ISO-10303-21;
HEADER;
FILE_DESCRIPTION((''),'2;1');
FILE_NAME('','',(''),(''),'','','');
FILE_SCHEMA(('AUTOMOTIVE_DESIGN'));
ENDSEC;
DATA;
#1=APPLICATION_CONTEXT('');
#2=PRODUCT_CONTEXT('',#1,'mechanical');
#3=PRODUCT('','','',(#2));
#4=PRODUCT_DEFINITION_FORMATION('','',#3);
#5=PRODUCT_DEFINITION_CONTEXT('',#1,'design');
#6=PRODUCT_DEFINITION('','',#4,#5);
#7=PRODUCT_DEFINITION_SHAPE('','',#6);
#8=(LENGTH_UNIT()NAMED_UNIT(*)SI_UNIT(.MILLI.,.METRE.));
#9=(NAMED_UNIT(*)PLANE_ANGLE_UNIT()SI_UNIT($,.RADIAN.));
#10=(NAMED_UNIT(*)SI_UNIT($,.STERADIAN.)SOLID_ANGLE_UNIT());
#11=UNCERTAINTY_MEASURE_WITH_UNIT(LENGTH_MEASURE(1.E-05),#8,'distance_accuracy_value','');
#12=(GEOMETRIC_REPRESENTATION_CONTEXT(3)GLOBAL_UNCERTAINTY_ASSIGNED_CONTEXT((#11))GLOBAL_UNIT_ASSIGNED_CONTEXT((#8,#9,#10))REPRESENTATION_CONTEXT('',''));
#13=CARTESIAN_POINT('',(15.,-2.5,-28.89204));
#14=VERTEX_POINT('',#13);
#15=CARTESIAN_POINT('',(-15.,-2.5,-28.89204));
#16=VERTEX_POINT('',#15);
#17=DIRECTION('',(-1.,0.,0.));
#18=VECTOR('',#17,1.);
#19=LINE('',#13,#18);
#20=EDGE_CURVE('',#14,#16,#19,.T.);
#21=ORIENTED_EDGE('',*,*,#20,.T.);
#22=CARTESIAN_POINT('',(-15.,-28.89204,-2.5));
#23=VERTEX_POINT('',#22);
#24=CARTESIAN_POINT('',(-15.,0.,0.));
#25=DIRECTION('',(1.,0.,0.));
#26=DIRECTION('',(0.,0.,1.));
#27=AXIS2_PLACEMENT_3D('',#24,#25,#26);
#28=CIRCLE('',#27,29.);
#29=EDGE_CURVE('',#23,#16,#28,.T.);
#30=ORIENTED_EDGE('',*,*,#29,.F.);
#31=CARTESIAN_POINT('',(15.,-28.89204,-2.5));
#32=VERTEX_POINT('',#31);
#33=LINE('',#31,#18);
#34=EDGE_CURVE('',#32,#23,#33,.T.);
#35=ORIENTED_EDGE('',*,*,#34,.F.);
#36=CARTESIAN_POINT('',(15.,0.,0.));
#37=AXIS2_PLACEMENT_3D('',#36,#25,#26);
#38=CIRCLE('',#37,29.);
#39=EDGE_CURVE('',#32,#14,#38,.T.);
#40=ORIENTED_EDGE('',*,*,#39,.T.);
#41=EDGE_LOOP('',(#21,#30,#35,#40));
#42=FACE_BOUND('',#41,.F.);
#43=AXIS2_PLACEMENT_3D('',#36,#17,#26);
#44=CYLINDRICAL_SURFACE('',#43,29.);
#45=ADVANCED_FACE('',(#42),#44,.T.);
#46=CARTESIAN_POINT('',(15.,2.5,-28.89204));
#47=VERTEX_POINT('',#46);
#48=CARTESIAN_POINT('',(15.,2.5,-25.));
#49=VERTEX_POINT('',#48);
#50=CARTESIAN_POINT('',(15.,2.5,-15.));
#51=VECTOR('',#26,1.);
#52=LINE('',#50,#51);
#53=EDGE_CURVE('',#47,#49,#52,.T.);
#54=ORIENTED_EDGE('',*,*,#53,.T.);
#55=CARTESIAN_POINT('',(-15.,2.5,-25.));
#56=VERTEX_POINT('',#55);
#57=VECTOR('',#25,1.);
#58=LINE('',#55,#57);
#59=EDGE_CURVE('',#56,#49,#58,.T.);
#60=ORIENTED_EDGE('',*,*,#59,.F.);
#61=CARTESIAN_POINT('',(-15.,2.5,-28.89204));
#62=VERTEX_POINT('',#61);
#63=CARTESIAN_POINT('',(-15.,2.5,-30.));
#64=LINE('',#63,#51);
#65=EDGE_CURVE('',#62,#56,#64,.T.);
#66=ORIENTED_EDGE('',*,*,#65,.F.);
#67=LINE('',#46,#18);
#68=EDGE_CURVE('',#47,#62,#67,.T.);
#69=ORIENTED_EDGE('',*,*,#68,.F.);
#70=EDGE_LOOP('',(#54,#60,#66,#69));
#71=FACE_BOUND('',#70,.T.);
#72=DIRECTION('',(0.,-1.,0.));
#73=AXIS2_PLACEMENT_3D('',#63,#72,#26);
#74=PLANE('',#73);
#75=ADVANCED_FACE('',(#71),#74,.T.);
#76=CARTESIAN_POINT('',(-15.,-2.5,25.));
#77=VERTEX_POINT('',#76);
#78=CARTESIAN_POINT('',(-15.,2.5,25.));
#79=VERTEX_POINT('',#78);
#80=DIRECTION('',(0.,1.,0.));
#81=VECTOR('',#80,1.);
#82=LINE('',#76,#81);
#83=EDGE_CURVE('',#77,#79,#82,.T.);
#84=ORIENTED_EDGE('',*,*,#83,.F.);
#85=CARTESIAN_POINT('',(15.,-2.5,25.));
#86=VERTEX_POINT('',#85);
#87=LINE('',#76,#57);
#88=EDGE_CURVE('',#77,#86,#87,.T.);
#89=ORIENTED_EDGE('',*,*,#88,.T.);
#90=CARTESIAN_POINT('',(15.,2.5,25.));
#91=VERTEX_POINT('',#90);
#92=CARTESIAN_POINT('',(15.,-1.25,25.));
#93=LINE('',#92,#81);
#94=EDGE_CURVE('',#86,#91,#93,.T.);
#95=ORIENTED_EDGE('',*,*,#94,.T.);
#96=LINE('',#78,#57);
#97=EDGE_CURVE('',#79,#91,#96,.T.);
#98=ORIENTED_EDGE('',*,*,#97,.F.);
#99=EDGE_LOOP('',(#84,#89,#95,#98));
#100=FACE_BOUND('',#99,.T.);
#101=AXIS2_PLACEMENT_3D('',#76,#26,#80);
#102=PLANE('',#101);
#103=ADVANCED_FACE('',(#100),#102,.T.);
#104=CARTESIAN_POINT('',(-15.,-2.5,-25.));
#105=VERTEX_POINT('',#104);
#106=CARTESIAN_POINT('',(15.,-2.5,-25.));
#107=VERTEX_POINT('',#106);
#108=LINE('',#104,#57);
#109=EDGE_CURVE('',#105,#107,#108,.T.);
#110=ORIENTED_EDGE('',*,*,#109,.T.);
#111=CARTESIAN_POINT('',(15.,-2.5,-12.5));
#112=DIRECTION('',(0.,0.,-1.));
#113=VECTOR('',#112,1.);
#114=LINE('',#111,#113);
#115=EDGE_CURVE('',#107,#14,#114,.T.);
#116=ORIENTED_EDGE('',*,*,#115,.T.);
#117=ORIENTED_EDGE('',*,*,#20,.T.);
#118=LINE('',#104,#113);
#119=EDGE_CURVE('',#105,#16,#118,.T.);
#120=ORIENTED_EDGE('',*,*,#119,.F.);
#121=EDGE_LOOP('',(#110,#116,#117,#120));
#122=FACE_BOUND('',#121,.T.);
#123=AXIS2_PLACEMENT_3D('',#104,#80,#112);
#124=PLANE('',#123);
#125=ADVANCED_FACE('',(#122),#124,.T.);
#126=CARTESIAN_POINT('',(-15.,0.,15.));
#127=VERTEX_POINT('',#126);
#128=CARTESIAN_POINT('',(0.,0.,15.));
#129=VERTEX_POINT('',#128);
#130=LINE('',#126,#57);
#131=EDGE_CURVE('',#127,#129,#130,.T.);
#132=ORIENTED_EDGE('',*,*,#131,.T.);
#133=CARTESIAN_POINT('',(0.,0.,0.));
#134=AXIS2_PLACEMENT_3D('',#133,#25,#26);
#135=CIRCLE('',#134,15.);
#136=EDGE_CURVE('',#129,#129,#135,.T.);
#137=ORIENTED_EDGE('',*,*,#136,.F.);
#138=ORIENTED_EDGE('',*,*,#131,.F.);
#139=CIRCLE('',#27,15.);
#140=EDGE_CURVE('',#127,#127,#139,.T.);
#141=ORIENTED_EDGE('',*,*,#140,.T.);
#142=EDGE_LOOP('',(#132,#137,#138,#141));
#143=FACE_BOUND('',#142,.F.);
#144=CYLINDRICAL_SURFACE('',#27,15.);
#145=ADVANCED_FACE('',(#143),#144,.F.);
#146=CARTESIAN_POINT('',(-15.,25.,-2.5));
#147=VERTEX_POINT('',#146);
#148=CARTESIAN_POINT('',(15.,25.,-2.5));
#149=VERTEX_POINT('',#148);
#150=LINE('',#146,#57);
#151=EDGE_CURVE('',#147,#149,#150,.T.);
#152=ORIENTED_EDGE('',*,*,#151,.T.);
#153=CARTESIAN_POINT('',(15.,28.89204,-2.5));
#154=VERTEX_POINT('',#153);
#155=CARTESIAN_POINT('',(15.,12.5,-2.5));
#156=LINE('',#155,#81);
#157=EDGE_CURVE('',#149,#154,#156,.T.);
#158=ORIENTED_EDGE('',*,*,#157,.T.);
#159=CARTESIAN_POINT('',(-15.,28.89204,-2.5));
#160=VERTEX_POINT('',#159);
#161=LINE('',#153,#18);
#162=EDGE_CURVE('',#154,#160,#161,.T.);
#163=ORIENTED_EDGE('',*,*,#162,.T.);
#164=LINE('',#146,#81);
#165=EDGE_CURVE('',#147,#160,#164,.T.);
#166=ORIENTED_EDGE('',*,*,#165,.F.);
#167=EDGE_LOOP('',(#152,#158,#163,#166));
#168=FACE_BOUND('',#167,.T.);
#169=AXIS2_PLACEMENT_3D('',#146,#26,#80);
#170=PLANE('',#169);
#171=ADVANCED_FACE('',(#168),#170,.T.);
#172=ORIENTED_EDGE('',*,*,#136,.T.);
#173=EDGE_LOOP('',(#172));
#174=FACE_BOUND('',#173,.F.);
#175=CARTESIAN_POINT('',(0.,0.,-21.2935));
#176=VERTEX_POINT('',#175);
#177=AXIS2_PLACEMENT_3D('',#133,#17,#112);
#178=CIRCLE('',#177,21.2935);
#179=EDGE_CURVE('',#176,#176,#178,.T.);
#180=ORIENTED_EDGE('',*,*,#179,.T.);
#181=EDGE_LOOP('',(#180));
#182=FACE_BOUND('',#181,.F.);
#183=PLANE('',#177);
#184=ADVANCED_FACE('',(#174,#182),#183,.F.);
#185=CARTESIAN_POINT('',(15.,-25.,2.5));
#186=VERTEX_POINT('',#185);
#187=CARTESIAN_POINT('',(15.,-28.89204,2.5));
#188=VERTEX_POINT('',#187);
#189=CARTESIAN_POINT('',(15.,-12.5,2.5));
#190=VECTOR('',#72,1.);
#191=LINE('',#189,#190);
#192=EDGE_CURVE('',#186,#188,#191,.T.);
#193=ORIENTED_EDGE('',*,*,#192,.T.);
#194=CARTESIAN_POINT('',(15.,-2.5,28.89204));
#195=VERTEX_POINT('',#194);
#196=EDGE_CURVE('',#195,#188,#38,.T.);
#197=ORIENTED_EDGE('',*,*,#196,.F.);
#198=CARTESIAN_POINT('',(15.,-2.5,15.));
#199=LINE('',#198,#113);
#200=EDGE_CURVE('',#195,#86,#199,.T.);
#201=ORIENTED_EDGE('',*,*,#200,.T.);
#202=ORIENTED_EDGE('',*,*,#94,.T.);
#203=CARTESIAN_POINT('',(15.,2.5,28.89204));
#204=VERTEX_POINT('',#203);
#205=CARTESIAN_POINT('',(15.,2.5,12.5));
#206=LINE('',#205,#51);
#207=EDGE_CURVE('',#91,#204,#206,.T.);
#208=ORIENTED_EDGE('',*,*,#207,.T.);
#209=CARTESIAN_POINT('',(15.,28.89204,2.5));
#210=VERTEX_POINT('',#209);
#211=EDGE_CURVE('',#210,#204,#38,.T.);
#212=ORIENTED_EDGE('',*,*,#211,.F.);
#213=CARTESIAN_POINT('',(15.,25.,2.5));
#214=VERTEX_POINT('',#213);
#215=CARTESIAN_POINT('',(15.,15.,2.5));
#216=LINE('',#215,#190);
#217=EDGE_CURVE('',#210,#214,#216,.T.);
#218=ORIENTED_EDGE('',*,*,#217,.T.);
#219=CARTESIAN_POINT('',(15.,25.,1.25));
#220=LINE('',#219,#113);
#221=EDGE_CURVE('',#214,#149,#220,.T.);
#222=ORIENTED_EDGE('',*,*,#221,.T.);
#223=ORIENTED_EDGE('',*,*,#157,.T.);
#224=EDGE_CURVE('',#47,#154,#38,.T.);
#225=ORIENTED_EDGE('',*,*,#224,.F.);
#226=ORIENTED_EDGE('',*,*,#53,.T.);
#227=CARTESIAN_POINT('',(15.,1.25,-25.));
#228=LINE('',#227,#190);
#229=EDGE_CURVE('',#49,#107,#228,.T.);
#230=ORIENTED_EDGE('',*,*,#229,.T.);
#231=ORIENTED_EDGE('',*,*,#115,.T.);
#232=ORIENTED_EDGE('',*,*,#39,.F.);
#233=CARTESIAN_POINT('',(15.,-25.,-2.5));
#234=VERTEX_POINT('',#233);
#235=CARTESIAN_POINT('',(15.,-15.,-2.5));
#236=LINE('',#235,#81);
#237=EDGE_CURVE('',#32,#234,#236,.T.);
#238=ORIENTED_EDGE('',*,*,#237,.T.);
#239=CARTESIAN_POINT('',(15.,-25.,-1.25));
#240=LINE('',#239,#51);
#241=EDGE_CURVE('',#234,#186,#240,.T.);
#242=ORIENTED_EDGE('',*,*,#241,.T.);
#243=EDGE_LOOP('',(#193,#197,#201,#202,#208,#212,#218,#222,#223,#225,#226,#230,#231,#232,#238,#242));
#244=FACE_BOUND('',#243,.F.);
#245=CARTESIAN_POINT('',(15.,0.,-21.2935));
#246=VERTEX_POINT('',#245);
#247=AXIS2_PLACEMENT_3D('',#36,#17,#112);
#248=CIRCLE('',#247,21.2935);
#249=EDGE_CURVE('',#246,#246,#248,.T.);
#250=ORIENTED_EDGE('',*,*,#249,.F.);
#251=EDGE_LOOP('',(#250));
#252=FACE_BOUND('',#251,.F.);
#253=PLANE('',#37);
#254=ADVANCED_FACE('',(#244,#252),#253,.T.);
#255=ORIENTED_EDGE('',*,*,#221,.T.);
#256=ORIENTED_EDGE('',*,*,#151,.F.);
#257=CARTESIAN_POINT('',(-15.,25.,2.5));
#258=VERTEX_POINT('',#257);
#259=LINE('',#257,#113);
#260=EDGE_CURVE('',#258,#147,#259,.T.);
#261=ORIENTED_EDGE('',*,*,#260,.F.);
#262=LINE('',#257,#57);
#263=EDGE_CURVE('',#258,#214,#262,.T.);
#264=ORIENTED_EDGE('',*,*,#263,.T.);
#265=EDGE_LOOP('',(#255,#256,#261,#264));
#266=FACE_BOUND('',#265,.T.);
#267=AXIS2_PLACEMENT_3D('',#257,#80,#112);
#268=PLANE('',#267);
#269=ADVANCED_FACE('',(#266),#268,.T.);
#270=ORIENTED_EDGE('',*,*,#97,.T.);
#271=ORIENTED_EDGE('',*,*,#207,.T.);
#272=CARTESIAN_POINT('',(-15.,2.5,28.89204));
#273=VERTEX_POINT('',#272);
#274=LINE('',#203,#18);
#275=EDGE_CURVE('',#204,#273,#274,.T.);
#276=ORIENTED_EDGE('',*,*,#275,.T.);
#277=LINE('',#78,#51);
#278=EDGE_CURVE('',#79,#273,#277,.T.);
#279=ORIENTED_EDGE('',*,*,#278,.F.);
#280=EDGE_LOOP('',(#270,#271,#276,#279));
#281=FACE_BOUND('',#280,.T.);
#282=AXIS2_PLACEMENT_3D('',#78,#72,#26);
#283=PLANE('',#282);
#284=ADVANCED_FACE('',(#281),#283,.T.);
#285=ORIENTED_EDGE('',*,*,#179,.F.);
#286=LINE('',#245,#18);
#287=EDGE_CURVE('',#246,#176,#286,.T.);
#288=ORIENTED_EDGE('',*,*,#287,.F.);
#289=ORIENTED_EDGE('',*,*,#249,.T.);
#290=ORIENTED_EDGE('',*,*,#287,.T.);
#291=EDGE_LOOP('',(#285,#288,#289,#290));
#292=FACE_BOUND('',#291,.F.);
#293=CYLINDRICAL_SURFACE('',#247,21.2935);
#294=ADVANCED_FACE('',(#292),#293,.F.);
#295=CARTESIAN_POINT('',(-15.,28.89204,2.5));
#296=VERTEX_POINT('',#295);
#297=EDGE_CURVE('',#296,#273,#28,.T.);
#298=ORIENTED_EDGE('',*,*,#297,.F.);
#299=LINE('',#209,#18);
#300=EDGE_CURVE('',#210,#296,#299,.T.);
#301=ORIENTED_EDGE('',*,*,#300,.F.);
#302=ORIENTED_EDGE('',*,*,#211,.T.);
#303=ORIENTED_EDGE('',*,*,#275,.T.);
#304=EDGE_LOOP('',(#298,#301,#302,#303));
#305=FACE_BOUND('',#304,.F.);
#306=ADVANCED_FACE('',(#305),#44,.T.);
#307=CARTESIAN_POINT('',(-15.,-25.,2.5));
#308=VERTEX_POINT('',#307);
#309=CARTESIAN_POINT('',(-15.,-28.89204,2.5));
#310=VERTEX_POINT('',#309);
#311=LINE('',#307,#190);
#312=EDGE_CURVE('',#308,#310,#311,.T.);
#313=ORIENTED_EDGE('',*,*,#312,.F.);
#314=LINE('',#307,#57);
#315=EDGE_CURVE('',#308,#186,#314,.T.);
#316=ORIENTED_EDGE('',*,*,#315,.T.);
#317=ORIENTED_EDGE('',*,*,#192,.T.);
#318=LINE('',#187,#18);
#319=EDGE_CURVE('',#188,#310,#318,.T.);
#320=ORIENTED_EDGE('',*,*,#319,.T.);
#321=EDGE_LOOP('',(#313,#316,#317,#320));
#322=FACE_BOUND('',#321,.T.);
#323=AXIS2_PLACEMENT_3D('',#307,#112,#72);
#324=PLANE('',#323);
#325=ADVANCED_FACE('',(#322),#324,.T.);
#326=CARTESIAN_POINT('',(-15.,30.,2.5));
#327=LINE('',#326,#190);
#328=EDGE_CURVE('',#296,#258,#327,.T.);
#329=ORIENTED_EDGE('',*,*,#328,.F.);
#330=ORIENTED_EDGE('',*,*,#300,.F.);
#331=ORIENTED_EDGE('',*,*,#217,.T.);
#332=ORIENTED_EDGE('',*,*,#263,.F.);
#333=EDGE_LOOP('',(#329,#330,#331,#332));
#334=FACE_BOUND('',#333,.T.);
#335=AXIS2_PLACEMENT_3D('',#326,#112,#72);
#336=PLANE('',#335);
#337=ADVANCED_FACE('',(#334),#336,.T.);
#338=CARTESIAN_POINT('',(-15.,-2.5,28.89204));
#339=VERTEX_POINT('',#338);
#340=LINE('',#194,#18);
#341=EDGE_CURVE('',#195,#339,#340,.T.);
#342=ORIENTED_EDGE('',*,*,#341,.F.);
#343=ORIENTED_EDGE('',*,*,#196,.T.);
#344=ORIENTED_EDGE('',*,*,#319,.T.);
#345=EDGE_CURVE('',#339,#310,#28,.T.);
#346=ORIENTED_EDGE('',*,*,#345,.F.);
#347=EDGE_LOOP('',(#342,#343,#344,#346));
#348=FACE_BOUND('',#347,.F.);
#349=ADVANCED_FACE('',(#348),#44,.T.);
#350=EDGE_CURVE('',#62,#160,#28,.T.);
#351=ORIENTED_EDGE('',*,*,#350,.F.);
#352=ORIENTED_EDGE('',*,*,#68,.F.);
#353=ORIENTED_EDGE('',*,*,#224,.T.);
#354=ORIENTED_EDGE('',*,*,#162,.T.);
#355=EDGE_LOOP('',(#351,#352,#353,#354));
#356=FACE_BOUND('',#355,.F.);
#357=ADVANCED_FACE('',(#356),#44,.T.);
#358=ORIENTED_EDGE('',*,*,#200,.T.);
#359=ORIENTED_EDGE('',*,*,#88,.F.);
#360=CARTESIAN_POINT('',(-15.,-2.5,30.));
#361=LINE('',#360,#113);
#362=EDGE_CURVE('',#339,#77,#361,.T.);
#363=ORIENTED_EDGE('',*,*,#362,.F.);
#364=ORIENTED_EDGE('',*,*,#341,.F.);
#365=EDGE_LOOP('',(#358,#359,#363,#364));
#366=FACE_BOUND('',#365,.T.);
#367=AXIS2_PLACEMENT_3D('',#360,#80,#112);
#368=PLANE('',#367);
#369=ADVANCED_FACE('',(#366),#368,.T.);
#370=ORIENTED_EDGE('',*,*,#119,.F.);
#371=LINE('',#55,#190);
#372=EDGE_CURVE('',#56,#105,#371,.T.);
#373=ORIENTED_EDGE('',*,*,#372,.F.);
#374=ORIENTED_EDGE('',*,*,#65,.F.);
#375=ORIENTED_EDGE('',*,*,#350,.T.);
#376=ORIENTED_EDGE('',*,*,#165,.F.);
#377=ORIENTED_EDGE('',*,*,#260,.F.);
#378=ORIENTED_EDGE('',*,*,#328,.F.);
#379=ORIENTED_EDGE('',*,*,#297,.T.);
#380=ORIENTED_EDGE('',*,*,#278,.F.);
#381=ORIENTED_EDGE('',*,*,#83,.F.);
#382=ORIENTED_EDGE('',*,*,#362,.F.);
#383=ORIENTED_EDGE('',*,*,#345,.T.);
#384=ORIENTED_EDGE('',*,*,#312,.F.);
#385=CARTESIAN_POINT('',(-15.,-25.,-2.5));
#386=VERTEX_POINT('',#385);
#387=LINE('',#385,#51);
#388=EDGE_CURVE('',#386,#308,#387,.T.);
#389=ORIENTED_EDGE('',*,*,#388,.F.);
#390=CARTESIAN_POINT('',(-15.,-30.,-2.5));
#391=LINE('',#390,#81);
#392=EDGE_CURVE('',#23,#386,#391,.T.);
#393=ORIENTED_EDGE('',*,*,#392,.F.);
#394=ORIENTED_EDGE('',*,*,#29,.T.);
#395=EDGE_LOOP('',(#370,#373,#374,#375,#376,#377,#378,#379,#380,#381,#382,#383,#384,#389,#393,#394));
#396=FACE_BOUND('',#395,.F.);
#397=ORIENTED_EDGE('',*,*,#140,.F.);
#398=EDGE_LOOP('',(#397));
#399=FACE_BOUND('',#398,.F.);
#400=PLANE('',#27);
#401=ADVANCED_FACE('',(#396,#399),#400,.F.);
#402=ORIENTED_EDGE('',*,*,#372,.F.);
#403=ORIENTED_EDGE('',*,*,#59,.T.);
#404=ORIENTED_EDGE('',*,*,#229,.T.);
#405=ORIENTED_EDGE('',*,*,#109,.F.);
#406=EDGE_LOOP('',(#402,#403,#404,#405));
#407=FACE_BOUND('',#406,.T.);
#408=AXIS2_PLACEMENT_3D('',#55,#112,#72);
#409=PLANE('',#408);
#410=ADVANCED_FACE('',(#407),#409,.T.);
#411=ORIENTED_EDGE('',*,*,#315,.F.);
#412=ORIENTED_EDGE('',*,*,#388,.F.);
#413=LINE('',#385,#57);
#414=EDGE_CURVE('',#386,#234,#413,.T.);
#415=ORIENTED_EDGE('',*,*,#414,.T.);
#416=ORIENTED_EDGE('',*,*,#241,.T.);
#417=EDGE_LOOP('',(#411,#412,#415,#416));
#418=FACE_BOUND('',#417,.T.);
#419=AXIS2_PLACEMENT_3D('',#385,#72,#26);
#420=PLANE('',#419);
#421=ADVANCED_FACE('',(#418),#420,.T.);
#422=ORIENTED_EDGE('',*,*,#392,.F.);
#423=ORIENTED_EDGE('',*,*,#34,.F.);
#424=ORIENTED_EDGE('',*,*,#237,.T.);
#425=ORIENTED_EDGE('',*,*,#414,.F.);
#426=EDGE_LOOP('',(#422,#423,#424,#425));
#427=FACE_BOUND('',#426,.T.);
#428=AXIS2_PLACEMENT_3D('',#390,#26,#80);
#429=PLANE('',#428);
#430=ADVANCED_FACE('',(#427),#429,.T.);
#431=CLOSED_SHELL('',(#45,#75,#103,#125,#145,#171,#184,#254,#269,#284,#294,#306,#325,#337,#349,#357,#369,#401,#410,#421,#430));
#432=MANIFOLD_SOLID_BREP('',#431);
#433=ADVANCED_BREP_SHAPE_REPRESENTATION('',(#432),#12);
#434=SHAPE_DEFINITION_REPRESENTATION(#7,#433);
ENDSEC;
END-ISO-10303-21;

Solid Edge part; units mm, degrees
sketch "Sketch1" plane through (0, 0, 0) normal (0, -1, 0) x (1, 0, 0)
  line L0 (-15, 15) -> (15, 15)
  line L1 (15, 15) -> (15, 29)
  line L2 (15, 29) -> (-15, 29)
  line L3 (-15, 29) -> (-15, 15)
  dimension "D1" = 29
  dimension "D2" = 15
  dimension "D3" = 30
revolve "RevolvedProtrusion1" add sketch "Sketch1" angle 360 about axis through (-60, 0, 0) along (1, 0, 0)
hole "Hole_1" at (15, 0, 0) direction (-1, 0, 0) diameter 42.587 depth 15 thread major 48 thread length 2
sketch "Sketch2" plane through (-15, 0, 0) normal (-1, 0, 0) x (0, -1, 0)
  line L0 (-2.5, 30) -> (2.5, 30)
  line L1 (2.5, 30) -> (2.5, 25)
  line L2 (2.5, 25) -> (-2.5, 25)
  line L3 (-2.5, 25) -> (-2.5, 30)
  dimension "D1" = 5
  dimension "D2" = 5
  dimension "D3" = 30
extrude "ExtrudedCutout_1" cut sketch "Sketch2" against normal blind 85.8062
pattern_circular "Pattern1" count 4 over 360 about axis through (-15, 0, 0) along (1, 0, 0) of "ExtrudedCutout_1"
